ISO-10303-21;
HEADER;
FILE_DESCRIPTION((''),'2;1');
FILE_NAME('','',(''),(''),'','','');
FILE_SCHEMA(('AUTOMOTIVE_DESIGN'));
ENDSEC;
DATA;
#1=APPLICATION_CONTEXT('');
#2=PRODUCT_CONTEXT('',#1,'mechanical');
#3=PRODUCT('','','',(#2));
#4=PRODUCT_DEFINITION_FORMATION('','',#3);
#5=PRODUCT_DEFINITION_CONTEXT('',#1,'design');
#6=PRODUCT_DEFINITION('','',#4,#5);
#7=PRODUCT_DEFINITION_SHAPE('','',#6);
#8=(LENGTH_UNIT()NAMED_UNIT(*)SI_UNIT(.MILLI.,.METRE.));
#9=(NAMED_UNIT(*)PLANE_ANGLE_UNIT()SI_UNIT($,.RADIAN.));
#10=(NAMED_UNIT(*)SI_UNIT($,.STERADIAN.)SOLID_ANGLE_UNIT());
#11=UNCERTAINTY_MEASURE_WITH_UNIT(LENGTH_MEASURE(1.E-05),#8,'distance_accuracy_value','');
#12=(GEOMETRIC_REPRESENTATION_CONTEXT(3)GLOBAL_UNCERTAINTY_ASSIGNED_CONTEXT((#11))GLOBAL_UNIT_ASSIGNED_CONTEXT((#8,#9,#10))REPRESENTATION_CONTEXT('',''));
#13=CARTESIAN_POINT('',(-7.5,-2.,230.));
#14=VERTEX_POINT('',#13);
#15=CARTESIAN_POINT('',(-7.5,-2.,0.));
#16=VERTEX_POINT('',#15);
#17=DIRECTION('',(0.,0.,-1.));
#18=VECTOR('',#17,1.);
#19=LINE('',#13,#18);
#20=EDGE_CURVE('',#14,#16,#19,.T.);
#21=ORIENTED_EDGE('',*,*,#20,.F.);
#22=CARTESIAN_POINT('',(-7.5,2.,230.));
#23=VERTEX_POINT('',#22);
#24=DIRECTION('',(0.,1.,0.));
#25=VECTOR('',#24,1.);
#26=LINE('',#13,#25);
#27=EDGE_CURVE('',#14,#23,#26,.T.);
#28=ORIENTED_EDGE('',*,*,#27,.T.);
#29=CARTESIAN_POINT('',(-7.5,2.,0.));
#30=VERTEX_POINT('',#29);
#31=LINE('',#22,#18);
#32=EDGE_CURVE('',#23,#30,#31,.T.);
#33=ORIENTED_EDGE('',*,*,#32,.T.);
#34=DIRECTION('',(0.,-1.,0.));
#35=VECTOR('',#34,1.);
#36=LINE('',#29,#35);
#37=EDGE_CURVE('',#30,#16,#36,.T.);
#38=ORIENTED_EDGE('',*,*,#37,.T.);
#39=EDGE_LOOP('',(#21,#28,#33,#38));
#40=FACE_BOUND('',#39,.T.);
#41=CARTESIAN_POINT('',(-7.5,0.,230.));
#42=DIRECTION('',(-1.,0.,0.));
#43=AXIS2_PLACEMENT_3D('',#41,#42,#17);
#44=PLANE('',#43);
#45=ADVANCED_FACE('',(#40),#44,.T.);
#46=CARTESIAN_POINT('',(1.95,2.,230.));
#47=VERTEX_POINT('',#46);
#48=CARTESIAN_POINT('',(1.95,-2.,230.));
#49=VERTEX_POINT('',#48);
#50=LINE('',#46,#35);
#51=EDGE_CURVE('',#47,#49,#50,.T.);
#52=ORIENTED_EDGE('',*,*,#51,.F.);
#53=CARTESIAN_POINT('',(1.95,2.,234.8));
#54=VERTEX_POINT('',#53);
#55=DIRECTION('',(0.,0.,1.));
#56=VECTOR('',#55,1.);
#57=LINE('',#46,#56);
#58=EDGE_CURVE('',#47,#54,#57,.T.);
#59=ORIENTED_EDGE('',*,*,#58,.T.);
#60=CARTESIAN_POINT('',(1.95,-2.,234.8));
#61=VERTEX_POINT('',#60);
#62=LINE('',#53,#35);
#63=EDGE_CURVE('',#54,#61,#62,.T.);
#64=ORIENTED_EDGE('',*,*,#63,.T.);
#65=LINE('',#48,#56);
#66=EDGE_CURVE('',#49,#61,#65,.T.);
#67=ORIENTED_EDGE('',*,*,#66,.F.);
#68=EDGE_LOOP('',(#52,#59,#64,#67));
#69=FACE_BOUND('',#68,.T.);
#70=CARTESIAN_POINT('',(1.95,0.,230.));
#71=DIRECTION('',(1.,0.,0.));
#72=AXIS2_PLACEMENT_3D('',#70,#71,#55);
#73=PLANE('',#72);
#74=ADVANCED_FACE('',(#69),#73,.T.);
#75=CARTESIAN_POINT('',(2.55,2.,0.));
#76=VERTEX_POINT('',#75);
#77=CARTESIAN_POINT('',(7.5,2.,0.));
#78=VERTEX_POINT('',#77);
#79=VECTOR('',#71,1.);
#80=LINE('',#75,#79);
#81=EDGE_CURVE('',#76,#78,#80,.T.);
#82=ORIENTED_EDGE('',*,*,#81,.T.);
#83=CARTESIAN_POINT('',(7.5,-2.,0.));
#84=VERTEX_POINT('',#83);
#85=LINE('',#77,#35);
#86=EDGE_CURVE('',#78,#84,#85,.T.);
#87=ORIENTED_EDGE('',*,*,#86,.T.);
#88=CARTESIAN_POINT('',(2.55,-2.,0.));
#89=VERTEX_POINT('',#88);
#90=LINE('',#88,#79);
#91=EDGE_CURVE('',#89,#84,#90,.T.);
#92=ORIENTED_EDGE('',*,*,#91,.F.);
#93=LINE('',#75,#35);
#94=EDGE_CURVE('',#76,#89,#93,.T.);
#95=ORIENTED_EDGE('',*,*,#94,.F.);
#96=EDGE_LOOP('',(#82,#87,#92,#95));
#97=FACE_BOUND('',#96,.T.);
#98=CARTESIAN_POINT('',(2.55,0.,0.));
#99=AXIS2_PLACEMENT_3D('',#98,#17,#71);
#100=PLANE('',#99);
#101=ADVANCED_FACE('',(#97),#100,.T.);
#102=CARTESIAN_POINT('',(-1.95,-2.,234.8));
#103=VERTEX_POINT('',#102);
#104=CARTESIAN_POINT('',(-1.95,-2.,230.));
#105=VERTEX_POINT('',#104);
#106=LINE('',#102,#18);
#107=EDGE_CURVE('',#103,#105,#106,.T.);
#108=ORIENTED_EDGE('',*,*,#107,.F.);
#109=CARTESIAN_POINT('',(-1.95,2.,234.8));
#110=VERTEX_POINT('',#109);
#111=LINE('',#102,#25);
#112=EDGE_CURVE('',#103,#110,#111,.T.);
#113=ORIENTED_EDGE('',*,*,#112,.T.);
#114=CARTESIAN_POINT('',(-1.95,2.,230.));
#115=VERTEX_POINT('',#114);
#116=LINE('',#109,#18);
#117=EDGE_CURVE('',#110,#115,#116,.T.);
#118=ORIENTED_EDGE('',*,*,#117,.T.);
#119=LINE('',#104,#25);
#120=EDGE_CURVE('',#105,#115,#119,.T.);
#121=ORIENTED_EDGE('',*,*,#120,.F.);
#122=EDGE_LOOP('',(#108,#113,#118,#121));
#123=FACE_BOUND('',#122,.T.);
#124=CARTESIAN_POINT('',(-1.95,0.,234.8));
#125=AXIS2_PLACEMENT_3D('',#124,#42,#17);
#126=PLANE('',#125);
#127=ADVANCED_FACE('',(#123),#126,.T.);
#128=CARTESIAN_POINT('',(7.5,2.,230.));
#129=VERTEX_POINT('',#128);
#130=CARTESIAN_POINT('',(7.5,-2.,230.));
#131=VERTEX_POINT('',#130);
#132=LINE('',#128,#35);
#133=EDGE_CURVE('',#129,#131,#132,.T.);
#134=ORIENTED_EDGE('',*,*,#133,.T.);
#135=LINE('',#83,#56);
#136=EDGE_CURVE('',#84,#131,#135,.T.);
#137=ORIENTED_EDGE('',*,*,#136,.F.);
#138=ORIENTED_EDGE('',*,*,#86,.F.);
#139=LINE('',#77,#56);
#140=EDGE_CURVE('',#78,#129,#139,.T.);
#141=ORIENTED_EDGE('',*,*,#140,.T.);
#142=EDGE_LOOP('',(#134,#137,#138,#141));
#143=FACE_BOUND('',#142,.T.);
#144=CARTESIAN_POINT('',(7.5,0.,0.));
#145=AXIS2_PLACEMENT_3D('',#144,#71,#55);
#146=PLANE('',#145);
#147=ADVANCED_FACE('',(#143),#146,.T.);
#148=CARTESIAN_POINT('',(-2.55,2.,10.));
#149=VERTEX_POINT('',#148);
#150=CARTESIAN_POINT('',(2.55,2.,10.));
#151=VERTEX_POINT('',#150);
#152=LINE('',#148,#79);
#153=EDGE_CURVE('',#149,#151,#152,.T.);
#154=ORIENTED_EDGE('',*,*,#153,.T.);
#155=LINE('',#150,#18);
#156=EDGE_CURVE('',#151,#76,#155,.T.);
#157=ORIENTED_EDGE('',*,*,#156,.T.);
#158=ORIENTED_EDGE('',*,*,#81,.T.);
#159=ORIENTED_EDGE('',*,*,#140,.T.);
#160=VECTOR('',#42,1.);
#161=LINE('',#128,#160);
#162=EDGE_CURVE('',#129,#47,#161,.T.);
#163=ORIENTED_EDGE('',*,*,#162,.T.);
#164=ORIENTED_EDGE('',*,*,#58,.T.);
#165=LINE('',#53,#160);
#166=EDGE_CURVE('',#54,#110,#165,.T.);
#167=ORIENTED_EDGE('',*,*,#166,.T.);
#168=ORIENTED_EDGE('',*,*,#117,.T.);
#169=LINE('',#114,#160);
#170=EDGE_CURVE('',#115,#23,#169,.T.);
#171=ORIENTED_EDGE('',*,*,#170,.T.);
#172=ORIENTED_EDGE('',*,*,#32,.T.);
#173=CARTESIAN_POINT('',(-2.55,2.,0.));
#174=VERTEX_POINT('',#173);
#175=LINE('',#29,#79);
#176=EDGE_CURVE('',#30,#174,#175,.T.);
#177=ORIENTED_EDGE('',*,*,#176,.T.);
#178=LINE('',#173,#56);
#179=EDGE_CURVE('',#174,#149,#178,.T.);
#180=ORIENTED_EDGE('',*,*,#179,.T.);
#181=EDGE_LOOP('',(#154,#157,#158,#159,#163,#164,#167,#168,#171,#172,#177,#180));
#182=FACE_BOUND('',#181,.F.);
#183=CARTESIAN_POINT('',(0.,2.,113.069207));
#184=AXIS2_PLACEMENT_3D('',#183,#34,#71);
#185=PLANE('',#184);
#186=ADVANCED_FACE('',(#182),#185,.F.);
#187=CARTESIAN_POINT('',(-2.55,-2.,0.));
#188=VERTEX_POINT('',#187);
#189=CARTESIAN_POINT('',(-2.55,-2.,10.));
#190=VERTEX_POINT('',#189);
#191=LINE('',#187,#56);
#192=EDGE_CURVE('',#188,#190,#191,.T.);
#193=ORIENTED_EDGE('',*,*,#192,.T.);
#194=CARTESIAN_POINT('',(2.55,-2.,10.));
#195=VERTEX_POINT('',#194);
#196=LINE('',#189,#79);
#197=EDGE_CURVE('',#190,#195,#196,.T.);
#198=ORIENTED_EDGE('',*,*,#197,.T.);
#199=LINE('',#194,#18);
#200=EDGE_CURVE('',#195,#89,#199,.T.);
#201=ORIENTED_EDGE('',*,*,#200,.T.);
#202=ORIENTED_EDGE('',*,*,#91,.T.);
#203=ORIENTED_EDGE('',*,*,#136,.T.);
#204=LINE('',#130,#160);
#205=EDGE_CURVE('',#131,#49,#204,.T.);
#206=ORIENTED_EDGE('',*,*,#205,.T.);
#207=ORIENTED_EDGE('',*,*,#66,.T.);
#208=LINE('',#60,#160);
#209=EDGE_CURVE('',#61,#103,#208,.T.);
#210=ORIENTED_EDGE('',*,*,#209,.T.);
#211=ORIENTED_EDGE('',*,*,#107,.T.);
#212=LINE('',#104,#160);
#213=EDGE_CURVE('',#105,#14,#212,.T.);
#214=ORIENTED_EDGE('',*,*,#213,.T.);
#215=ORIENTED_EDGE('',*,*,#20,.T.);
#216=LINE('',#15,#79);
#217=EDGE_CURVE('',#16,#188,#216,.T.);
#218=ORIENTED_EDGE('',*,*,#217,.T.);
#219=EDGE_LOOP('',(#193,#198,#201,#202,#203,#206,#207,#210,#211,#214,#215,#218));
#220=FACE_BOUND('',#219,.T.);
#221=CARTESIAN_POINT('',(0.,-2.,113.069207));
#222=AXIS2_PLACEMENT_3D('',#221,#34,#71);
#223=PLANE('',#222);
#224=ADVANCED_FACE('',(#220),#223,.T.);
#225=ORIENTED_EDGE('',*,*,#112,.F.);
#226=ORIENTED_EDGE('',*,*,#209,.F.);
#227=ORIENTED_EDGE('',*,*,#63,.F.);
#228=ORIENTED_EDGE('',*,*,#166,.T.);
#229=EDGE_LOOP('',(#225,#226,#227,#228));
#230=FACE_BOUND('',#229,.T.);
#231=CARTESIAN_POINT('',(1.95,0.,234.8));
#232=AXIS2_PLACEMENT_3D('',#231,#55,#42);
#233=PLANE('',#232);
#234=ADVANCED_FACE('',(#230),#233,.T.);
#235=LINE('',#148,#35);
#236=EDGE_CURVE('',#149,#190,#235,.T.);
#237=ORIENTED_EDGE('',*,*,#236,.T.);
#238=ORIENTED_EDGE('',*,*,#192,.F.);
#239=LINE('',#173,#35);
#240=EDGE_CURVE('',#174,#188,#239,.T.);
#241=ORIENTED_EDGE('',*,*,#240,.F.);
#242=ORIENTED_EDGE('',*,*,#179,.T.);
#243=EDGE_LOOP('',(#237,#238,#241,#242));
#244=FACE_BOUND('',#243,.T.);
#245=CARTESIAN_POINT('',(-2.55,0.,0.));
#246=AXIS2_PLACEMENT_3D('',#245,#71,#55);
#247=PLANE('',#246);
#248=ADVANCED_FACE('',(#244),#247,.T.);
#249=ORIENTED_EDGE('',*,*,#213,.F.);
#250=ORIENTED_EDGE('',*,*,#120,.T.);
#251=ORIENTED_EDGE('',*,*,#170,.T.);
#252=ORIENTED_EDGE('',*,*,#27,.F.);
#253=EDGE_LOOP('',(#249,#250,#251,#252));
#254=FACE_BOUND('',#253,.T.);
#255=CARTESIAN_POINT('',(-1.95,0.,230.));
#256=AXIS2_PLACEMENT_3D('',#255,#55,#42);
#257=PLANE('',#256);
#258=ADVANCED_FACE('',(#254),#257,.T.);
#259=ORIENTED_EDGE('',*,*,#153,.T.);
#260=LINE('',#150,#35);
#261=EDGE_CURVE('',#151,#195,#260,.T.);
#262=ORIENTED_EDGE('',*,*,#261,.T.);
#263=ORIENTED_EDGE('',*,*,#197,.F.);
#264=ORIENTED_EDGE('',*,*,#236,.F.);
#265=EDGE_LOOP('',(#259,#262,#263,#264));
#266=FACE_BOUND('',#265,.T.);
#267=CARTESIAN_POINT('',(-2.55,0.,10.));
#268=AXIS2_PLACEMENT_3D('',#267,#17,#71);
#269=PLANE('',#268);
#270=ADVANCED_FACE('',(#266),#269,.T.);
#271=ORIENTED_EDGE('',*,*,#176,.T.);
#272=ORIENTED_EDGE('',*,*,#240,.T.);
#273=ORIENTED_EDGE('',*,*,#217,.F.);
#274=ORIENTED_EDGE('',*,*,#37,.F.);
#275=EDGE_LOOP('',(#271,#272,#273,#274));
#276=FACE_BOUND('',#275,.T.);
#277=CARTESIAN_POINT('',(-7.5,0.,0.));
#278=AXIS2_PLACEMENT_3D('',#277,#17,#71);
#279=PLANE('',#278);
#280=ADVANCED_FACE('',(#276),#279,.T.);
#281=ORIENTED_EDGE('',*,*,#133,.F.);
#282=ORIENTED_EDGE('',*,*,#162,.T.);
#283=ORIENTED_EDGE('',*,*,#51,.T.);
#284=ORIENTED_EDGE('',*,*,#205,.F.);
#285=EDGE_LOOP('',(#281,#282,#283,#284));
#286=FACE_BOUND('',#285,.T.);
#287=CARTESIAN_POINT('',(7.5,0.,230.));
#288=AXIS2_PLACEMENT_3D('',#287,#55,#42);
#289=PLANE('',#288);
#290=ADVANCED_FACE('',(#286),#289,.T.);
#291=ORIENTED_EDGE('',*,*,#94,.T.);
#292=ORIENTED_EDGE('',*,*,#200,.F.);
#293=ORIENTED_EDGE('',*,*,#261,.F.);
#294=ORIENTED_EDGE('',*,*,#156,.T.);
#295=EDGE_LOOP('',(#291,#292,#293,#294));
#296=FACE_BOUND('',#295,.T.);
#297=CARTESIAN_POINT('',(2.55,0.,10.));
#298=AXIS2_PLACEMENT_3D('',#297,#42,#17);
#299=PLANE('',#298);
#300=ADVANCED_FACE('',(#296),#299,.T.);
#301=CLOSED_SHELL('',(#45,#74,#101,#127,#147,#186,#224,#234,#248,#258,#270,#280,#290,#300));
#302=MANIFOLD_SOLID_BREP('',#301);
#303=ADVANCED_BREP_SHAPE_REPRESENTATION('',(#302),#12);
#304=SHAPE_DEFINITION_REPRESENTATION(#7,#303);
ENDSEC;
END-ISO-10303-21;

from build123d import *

# Parameters (mm, degrees)
PAD_DEPTH = 2


with BuildPart() as part:
    # Sketch → Pad (new body, symmetric)
    with BuildSketch(Plane.XZ):
        Polygon((-7.5, 230), (-7.5, 0), (-2.55, 0), (-2.55, 10), (2.55, 10), (2.55, 0), (7.5, 0), (7.5, 230), (1.95, 230), (1.95, 234.8), (-1.95, 234.8), (-1.95, 230), align=None)
    extrude(amount=PAD_DEPTH, both=True)


solid = part.part
